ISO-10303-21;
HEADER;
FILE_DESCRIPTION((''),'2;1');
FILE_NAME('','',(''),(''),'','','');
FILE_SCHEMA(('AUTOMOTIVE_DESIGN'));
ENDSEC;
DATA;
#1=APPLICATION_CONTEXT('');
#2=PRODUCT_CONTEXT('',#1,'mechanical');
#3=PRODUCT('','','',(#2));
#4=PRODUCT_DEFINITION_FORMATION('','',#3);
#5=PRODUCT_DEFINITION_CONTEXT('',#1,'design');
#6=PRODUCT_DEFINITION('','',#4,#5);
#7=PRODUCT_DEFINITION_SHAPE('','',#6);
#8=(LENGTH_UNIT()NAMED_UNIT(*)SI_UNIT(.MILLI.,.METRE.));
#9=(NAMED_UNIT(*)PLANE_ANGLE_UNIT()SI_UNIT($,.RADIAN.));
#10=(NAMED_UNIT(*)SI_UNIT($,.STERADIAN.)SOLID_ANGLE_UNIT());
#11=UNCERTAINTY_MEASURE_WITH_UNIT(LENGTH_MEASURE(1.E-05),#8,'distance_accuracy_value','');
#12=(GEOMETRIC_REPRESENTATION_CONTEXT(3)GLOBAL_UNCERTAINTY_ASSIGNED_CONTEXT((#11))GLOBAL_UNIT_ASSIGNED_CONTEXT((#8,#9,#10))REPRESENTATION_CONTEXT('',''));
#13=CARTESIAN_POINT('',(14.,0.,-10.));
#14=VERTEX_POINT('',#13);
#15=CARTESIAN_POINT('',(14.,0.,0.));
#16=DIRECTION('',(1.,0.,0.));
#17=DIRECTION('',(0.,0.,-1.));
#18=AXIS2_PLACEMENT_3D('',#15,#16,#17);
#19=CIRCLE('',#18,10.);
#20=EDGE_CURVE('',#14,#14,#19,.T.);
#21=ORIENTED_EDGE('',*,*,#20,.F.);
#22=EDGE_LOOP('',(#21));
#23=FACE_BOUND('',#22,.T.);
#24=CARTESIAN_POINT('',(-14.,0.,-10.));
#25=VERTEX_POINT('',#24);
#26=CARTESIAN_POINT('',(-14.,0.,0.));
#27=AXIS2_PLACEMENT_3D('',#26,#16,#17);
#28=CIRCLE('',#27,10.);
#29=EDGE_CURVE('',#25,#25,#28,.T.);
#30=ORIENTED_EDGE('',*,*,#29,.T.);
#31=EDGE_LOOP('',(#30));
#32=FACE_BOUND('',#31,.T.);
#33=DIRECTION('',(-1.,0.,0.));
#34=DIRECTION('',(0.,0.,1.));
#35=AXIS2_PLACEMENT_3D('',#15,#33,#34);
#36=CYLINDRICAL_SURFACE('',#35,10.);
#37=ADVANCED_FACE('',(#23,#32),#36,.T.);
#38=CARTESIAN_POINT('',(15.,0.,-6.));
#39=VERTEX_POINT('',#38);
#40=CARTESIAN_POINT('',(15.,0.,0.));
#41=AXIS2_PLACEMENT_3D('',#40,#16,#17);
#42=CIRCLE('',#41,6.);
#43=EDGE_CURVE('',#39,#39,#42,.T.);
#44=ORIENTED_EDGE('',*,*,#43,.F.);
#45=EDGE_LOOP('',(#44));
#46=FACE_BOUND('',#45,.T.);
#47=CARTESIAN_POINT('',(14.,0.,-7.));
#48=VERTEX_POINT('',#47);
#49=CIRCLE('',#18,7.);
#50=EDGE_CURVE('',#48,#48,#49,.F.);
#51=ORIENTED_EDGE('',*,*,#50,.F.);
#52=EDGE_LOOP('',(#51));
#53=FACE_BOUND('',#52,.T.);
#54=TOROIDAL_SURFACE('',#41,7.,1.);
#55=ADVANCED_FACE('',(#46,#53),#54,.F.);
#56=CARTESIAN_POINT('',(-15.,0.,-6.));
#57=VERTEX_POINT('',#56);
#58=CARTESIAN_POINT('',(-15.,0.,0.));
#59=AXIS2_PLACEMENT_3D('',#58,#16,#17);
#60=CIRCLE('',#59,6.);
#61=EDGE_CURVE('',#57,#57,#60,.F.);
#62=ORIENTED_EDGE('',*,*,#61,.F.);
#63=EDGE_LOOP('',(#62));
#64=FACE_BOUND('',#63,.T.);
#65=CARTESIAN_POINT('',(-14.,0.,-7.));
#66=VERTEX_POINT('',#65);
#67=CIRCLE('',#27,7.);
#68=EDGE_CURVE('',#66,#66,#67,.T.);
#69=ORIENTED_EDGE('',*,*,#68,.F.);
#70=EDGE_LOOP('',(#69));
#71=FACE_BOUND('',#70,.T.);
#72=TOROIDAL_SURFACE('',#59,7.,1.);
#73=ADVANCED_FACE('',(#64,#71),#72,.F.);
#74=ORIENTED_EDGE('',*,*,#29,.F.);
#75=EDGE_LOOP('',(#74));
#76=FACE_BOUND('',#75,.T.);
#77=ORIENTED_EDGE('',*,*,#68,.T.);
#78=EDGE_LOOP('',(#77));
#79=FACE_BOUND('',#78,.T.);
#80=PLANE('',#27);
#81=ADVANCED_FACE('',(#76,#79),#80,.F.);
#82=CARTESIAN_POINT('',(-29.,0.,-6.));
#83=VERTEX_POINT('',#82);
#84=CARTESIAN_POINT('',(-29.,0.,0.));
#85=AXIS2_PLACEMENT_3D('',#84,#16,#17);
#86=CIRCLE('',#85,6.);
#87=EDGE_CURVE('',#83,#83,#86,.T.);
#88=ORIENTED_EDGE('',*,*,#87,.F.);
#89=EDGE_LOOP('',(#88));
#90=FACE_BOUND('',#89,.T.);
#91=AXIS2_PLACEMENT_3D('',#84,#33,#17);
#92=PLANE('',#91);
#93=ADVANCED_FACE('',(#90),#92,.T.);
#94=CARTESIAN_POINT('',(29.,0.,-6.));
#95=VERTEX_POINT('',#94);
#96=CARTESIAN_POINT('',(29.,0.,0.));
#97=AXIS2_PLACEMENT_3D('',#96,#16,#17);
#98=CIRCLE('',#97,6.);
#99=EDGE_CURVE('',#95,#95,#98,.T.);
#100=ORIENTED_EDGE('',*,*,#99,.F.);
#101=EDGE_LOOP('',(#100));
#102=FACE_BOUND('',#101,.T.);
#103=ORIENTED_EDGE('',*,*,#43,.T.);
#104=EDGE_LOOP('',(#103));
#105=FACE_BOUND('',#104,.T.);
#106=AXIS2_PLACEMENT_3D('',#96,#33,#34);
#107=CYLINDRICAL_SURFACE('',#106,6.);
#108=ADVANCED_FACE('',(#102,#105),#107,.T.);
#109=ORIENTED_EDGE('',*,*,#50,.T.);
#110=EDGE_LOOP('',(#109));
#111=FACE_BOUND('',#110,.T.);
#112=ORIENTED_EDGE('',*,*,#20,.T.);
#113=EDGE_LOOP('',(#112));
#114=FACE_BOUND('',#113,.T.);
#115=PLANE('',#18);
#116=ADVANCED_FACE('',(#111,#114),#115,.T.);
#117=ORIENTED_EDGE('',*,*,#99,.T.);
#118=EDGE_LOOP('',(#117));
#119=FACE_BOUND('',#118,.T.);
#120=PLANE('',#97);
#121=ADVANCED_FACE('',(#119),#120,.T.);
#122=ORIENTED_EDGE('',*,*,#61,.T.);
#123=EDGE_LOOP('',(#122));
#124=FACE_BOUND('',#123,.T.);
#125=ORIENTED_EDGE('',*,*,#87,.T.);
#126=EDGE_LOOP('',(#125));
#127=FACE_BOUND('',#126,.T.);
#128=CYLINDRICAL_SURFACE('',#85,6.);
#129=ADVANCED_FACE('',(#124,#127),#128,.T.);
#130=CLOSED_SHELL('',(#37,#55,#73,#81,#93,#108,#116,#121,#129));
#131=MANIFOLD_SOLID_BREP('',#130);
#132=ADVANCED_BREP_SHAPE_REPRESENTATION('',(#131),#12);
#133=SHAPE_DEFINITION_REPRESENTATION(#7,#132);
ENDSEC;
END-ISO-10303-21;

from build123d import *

# Parameters (mm, degrees)
SKETCH1_R           = 10
BOSS_EXTRUDE1_DEPTH = 14
SKETCH_1_R          = 6
EXTRUDE_1_DEPTH     = 15
FILLET_1_R          = 1


with BuildPart() as part:
    # Sketch1 → Boss-Extrude1 (new body, symmetric)
    with BuildSketch(Plane(origin=(0, 0, 0), x_dir=(0, 0, -1), z_dir=(1, 0, 0))):
        Circle(SKETCH1_R)
    extrude(amount=BOSS_EXTRUDE1_DEPTH, both=True)

    # 草图1 → 凸台-拉伸1 (add)
    with BuildSketch(Plane(origin=(14, 0, 0), x_dir=(0, 0, -1), z_dir=(1, 0, 0))):
        Circle(SKETCH_1_R)
    extrude_1 = extrude(amount=EXTRUDE_1_DEPTH)

    # 镜向1: 凸台-拉伸1 across plane
    add(extrude_1.mirror(Plane(origin=(0, 0, 0), x_dir=(0, 0, 1), z_dir=(1, 0, 0))))

    # 圆角1
    fillet_1_edges = [part.edges().sort_by_distance(p)[0] for p in [
        (-14, 0, 6),
        (14, 0, 6),
    ]]
    fillet(fillet_1_edges, radius=FILLET_1_R)


solid = part.part
